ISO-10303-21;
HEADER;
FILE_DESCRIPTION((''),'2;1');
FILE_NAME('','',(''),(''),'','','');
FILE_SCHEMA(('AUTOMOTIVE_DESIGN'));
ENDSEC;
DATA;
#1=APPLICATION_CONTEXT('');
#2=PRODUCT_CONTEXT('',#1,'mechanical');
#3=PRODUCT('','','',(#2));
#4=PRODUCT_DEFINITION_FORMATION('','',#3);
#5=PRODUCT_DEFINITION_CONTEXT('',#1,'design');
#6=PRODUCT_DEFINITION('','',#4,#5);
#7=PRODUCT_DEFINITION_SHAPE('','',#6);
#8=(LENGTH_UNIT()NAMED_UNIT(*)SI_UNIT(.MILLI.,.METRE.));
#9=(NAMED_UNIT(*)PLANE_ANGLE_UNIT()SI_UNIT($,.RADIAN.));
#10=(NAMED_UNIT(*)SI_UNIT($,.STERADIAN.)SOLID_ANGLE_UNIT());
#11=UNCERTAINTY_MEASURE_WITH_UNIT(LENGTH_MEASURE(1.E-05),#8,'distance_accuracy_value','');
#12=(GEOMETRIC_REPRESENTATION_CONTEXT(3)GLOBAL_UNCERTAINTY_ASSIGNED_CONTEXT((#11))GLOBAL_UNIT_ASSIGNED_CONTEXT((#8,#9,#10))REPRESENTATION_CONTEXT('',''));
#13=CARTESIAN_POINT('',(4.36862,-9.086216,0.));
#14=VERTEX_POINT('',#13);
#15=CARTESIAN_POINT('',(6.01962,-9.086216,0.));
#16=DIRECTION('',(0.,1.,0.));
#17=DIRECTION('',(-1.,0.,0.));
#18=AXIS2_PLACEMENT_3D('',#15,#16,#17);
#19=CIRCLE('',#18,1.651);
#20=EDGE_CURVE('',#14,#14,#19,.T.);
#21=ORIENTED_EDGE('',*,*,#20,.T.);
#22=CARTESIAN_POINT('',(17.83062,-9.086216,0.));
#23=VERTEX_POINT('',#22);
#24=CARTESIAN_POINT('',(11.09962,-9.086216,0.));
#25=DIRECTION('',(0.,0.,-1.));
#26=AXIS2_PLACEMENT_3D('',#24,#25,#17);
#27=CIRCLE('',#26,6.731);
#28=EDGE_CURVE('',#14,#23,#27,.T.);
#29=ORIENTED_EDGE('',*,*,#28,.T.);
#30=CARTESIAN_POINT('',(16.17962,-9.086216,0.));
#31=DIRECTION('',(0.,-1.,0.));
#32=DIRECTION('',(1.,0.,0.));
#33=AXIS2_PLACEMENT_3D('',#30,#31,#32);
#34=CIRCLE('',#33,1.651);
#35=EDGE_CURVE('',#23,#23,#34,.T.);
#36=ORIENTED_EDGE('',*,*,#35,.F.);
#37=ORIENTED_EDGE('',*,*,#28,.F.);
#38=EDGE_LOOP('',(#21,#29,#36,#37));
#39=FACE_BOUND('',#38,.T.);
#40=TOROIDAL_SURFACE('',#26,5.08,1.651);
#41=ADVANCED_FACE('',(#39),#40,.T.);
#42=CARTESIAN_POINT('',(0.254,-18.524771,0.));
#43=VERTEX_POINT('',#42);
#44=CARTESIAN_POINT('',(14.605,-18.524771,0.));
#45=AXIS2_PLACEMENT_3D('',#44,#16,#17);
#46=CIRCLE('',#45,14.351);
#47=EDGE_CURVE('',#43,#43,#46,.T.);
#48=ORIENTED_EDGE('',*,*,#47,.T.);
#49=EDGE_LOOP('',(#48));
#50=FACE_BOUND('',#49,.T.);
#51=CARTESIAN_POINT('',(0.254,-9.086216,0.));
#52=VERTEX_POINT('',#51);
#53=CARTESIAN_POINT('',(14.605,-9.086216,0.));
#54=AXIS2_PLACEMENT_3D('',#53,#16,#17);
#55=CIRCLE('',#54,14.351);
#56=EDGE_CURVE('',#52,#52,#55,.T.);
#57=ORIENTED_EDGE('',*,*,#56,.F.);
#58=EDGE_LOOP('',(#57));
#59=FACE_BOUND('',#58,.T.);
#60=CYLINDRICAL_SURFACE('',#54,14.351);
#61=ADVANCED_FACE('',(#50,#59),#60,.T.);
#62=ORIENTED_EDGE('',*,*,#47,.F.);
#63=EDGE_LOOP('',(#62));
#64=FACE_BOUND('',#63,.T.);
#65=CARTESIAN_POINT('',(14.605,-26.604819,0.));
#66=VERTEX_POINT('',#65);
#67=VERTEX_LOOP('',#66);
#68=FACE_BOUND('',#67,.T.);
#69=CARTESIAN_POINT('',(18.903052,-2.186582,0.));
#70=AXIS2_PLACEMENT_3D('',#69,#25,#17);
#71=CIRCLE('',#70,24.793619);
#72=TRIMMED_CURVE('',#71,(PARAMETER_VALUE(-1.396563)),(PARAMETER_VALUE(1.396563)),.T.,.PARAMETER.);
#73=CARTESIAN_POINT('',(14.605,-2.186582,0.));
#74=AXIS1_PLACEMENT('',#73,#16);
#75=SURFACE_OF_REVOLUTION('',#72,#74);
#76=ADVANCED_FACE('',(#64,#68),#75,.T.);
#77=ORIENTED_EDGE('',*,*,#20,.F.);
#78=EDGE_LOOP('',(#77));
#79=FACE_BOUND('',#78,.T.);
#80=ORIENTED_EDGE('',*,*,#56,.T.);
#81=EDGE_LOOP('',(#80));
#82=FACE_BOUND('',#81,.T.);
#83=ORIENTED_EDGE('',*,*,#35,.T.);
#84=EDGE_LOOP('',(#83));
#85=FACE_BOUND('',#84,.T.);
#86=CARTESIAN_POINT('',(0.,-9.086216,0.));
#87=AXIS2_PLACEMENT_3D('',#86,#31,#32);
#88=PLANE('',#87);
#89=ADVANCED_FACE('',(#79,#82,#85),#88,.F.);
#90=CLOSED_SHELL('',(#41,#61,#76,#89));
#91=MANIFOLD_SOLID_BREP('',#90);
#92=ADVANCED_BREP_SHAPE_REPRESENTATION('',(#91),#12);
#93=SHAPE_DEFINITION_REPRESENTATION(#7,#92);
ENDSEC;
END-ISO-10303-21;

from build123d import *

# Parameters (mm, degrees)
SKETCH2_R = 1.651


with BuildPart() as part:
    # Sketch1 → Revolve1 (revolve)
    with BuildSketch(Plane.XY):
        with BuildLine():
            Line((14.605, -9.086216131), (14.605, -26.604819121))
            ThreePointArc((14.605, -26.604819121), (6.73899884, -23.791196646), (0.254, -18.524771319))
            Line((0.254, -18.524771319), (0.254, -9.086216131))
            Line((0.254, -9.086216131), (14.605, -9.086216131))
        make_face()
    revolve(axis=Axis((14.605, -9.086216131, 0), (0, -1, 0)))

    # Sweep1: sweep along a path in Sketch3
    with BuildLine(Plane.XY) as sweep1_path:
        ThreePointArc((6.019619555, -9.086216131), (11.099619555, -4.006216131), (16.179619555, -9.086216131))
    # Sketch2 → Sweep1 (sweep)
    with BuildSketch(Plane(origin=(0, -9.086216131, 0), x_dir=(1, 0, 0), z_dir=(0, 1, 0))):
        with Locations((6.019619555, 0)):
            Circle(SKETCH2_R)
        with Locations((16.179619555, 0)):
            Circle(SKETCH2_R)
    sweep(path=sweep1_path.line)


solid = part.part
